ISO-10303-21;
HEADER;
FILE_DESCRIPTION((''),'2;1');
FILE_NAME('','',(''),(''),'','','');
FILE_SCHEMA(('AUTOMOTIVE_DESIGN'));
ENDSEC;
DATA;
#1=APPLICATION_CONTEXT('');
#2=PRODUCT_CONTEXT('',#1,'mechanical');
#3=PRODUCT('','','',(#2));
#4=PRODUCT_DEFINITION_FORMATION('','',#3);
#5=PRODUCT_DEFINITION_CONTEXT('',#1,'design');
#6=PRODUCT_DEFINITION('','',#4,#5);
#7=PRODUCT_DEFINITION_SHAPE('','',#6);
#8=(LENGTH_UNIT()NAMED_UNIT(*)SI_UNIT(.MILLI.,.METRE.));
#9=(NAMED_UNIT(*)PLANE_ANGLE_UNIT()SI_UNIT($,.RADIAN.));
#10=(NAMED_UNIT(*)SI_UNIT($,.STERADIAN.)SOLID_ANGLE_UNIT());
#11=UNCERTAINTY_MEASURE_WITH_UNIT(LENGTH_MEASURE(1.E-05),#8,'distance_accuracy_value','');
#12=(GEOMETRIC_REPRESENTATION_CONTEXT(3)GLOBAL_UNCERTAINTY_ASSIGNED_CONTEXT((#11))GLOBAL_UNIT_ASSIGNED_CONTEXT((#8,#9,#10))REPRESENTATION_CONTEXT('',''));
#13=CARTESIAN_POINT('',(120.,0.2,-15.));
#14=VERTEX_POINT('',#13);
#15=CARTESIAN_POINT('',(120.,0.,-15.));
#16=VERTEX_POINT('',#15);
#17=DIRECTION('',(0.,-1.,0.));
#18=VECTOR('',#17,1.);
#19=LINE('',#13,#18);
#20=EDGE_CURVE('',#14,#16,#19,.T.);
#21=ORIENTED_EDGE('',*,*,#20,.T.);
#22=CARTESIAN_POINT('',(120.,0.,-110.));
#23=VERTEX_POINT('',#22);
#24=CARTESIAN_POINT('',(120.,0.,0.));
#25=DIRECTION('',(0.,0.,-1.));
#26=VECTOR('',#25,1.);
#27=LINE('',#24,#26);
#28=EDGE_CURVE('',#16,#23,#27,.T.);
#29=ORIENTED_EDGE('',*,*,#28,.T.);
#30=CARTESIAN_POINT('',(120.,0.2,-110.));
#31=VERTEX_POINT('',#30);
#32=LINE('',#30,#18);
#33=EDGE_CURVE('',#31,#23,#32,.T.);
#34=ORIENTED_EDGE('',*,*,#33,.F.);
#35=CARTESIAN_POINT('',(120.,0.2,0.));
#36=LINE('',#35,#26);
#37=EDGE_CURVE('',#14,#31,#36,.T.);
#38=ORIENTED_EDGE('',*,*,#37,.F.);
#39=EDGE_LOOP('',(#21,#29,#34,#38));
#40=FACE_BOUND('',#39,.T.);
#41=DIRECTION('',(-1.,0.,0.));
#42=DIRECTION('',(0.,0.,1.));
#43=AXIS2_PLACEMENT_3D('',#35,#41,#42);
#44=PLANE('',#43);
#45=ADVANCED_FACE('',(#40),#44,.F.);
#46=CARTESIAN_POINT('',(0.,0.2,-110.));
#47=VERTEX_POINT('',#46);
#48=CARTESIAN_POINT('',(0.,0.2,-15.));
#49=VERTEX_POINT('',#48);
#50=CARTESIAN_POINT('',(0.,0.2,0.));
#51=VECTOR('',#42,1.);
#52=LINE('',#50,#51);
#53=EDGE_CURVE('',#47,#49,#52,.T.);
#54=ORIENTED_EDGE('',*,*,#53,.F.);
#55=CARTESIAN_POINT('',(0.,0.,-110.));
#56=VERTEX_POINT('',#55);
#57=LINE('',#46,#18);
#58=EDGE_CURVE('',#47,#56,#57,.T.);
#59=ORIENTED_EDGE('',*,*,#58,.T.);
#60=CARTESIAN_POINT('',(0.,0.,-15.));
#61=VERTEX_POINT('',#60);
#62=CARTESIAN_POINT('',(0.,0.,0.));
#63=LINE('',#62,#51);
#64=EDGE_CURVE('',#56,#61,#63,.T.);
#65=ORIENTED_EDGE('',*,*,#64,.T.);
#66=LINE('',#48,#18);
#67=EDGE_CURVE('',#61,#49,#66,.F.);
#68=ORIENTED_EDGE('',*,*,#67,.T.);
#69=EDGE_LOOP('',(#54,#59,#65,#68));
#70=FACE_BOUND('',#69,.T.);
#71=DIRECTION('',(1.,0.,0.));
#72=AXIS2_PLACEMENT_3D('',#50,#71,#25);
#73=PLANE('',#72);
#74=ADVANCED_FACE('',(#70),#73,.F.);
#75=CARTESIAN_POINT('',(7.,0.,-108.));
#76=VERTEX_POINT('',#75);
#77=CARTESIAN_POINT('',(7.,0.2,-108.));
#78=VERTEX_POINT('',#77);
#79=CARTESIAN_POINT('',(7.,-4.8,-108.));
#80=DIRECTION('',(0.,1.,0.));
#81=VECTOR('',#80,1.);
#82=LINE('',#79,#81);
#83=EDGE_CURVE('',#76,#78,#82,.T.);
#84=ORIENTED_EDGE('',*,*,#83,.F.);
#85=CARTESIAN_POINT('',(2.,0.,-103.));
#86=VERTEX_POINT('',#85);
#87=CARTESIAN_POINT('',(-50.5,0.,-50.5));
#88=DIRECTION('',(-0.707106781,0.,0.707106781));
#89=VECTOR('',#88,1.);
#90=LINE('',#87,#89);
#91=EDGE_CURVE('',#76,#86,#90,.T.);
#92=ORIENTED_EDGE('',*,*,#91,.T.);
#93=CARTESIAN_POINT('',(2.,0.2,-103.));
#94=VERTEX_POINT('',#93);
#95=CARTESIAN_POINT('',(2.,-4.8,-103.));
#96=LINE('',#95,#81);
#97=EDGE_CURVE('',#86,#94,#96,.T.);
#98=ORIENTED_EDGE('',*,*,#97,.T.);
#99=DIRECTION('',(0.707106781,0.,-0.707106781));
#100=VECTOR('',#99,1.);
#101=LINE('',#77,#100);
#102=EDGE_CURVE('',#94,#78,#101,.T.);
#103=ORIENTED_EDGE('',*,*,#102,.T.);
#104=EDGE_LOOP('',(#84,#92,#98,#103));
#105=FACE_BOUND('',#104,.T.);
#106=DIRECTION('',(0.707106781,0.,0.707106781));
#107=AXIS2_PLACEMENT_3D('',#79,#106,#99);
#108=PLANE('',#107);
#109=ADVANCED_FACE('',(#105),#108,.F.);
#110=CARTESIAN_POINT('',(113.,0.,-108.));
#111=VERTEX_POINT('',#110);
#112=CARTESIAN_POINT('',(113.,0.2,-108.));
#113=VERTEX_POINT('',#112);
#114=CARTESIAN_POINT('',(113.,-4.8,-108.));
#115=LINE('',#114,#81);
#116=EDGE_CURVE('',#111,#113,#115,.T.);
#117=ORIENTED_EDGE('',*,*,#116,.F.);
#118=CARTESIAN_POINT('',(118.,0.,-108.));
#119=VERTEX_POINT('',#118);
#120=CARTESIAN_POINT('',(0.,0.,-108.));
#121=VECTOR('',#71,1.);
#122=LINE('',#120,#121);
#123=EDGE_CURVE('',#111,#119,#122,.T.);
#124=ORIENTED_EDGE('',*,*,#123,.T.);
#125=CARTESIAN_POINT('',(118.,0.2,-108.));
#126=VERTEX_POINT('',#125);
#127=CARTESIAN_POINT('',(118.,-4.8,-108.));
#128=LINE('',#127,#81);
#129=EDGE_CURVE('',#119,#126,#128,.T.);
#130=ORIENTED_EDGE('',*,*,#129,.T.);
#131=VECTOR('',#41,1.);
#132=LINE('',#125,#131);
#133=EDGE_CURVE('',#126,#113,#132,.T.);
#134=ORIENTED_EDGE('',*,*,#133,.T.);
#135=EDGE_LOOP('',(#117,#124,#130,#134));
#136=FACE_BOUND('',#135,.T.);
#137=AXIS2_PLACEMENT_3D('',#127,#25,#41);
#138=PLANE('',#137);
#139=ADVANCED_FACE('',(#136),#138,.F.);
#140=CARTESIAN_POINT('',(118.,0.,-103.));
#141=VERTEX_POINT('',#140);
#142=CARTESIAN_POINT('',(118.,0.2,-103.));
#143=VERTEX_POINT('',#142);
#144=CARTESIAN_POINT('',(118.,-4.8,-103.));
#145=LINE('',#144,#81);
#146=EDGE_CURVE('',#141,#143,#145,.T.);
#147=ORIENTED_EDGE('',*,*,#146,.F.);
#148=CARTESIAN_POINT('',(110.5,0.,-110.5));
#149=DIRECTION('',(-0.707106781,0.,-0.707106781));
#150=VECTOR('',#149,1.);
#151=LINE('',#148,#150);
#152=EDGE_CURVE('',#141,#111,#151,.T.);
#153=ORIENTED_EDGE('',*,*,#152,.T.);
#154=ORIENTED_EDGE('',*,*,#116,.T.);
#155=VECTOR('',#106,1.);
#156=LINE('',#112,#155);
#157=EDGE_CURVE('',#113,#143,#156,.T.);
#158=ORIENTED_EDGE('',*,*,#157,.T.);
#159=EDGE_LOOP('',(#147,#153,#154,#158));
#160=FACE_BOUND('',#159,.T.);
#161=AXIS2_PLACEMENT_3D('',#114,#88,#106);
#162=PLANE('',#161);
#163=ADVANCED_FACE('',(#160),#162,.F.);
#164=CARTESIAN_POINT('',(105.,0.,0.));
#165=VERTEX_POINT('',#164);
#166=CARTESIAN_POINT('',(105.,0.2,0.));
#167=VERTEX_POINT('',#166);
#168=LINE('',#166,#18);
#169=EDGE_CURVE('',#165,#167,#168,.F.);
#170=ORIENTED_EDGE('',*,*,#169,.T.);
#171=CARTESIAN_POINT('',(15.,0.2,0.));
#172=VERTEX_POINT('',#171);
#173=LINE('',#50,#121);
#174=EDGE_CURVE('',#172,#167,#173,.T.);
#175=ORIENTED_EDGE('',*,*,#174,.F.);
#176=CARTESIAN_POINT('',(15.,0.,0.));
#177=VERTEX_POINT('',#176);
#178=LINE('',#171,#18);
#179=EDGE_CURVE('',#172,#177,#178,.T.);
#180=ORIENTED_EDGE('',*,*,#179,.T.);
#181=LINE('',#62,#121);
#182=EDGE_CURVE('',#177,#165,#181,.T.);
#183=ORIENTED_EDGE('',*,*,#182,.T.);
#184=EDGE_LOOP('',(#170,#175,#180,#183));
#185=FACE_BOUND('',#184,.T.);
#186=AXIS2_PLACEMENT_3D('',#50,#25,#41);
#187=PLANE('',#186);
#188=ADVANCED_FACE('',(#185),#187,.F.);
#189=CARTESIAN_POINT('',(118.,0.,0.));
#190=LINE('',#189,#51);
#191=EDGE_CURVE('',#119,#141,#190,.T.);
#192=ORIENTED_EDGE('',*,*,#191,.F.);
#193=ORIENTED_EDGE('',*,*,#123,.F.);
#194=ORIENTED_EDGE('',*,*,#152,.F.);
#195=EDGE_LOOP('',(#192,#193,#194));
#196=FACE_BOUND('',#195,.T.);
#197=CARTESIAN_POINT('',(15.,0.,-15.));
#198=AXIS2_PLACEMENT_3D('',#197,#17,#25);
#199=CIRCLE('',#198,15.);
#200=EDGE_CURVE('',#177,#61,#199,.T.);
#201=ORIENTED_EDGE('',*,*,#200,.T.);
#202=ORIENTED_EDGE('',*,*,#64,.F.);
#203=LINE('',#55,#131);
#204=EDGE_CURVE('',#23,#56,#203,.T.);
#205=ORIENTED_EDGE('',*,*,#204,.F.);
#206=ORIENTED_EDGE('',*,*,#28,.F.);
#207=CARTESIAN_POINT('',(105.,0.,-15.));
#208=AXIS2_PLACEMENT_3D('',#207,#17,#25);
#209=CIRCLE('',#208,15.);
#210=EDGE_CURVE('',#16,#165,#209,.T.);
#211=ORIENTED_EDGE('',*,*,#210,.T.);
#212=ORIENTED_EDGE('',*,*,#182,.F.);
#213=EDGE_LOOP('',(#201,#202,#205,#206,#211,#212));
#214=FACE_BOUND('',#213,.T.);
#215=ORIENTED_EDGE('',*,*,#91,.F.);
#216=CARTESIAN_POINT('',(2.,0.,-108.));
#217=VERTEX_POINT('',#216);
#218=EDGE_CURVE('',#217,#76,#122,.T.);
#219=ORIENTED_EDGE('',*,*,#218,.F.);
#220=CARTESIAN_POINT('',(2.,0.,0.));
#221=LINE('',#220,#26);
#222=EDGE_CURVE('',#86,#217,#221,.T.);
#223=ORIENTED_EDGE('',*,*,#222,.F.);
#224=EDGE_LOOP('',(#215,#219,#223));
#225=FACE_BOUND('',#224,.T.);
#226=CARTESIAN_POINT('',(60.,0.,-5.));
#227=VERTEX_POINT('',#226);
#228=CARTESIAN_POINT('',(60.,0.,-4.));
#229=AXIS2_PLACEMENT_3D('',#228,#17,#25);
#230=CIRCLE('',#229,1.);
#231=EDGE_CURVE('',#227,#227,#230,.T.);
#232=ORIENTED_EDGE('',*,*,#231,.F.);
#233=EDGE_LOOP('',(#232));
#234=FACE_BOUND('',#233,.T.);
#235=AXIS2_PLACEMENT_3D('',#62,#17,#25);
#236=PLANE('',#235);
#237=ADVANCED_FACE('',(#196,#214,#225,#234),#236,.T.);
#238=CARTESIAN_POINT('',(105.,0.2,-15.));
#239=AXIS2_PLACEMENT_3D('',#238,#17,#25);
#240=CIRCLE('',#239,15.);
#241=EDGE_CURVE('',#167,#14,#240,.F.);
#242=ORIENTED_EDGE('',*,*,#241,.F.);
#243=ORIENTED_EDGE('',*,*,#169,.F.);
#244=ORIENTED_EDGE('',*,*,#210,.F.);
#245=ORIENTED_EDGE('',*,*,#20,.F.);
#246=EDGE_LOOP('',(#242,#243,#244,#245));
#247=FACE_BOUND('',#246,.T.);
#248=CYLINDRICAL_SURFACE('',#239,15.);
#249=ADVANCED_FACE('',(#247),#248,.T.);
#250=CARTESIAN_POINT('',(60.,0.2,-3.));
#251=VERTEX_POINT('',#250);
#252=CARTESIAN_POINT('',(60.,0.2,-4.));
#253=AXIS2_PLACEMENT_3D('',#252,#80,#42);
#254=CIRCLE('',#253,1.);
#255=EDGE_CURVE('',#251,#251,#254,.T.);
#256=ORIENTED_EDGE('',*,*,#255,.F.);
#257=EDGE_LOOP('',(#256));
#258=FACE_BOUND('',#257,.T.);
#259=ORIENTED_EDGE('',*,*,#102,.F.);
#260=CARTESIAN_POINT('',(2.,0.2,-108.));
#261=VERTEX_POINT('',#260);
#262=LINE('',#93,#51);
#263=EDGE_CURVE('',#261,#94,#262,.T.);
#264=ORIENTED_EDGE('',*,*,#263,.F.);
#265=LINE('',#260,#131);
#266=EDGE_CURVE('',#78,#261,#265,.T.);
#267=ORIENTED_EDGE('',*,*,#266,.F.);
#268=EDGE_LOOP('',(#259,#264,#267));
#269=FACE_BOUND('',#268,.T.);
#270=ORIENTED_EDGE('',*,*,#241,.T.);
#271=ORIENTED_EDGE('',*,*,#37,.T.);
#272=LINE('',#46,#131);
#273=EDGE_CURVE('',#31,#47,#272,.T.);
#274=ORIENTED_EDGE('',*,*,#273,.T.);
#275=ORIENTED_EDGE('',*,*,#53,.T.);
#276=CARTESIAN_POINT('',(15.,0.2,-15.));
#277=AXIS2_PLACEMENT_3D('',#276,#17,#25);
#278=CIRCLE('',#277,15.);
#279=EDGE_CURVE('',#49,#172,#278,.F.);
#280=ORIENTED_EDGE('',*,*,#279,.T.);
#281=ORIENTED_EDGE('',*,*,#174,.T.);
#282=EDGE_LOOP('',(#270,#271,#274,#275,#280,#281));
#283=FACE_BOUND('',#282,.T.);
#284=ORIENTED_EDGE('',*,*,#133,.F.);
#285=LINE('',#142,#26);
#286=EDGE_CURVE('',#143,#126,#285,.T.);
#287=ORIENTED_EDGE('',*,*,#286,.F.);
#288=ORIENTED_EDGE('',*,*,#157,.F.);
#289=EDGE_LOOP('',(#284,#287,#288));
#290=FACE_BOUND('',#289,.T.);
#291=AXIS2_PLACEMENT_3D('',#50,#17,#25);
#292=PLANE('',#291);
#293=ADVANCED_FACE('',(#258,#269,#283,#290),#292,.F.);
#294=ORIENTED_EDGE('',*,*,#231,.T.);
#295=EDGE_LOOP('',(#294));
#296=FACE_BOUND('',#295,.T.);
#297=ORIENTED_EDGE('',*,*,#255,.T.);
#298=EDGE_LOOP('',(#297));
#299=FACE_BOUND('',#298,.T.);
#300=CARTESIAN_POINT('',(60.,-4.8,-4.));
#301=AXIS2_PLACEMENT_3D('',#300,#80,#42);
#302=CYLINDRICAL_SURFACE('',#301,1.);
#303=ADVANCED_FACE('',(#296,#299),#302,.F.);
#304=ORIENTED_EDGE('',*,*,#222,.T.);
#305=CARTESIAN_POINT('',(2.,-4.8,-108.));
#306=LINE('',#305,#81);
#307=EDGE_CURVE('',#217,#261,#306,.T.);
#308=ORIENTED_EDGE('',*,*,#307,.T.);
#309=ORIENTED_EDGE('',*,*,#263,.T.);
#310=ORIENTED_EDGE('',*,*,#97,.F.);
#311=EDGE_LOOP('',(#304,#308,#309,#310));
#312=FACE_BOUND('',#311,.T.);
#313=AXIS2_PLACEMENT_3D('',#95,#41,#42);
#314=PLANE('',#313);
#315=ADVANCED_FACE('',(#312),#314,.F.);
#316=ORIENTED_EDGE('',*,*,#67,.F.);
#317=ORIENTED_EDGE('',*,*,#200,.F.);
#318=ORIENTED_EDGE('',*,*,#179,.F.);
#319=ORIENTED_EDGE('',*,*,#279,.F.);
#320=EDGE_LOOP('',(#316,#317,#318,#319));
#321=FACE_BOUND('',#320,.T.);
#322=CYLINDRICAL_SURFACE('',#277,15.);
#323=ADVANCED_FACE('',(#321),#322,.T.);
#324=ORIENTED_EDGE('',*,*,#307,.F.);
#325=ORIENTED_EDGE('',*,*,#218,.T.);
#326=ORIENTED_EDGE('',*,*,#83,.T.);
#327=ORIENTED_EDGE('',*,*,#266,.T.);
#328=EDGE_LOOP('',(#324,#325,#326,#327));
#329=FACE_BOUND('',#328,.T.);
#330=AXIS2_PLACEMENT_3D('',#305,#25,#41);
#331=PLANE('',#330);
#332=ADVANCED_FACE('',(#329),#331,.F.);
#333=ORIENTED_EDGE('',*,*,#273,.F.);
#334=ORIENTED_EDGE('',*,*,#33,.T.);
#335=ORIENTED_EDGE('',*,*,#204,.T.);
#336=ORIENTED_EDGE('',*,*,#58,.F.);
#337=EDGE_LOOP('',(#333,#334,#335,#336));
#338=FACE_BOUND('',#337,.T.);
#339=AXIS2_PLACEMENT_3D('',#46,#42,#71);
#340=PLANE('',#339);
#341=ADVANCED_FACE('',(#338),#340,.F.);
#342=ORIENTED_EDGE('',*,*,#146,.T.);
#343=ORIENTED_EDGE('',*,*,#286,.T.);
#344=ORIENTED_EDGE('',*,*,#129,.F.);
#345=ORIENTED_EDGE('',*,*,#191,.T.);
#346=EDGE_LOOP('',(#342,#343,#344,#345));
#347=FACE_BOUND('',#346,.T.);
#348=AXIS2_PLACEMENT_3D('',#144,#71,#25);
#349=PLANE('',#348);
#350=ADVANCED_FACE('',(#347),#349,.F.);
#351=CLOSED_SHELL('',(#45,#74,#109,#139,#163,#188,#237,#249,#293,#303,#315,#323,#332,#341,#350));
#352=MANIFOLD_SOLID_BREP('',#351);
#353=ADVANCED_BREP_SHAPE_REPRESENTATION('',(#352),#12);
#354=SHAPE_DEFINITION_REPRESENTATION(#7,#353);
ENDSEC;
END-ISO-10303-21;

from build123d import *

# Parameters (mm, degrees)
SKETCH1_W           = 120
SKETCH1_H           = 110
BOSS_EXTRUDE1_DEPTH = 0.2
FILLET1_R           = 15
SKETCH2_R           = 1
CUT_EXTRUDE1_DEPTH  = 5


with BuildPart() as part:
    # Sketch1 → Boss-Extrude1 (new body)
    with BuildSketch(Plane(origin=(0, 0, 0), x_dir=(1, 0, 0), z_dir=(0, 1, 0))):
        with Locations((60, 55)):
            Rectangle(SKETCH1_W, SKETCH1_H)
    extrude(amount=BOSS_EXTRUDE1_DEPTH)

    # Fillet1
    fillet1_edges = [part.edges().sort_by_distance(p)[0] for p in [
        (120, 0.1, 0),
        (0, 0.1, 0),
    ]]
    fillet(fillet1_edges, radius=FILLET1_R)

    # Sketch2 → Cut-Extrude1 (cut)
    with BuildSketch(Plane(origin=(0, 0.2, 0), x_dir=(1, 0, 0), z_dir=(0, 1, 0))):
        with Locations(Location((60, 4, 0), (0, 0, 270))):
            Circle(SKETCH2_R)
        Polygon((2, 108), (7, 108), (2, 103), align=None)
        Polygon((118, 103), (118, 108), (113, 108), align=None)
    extrude(amount=-CUT_EXTRUDE1_DEPTH, mode=Mode.SUBTRACT)


solid = part.part
